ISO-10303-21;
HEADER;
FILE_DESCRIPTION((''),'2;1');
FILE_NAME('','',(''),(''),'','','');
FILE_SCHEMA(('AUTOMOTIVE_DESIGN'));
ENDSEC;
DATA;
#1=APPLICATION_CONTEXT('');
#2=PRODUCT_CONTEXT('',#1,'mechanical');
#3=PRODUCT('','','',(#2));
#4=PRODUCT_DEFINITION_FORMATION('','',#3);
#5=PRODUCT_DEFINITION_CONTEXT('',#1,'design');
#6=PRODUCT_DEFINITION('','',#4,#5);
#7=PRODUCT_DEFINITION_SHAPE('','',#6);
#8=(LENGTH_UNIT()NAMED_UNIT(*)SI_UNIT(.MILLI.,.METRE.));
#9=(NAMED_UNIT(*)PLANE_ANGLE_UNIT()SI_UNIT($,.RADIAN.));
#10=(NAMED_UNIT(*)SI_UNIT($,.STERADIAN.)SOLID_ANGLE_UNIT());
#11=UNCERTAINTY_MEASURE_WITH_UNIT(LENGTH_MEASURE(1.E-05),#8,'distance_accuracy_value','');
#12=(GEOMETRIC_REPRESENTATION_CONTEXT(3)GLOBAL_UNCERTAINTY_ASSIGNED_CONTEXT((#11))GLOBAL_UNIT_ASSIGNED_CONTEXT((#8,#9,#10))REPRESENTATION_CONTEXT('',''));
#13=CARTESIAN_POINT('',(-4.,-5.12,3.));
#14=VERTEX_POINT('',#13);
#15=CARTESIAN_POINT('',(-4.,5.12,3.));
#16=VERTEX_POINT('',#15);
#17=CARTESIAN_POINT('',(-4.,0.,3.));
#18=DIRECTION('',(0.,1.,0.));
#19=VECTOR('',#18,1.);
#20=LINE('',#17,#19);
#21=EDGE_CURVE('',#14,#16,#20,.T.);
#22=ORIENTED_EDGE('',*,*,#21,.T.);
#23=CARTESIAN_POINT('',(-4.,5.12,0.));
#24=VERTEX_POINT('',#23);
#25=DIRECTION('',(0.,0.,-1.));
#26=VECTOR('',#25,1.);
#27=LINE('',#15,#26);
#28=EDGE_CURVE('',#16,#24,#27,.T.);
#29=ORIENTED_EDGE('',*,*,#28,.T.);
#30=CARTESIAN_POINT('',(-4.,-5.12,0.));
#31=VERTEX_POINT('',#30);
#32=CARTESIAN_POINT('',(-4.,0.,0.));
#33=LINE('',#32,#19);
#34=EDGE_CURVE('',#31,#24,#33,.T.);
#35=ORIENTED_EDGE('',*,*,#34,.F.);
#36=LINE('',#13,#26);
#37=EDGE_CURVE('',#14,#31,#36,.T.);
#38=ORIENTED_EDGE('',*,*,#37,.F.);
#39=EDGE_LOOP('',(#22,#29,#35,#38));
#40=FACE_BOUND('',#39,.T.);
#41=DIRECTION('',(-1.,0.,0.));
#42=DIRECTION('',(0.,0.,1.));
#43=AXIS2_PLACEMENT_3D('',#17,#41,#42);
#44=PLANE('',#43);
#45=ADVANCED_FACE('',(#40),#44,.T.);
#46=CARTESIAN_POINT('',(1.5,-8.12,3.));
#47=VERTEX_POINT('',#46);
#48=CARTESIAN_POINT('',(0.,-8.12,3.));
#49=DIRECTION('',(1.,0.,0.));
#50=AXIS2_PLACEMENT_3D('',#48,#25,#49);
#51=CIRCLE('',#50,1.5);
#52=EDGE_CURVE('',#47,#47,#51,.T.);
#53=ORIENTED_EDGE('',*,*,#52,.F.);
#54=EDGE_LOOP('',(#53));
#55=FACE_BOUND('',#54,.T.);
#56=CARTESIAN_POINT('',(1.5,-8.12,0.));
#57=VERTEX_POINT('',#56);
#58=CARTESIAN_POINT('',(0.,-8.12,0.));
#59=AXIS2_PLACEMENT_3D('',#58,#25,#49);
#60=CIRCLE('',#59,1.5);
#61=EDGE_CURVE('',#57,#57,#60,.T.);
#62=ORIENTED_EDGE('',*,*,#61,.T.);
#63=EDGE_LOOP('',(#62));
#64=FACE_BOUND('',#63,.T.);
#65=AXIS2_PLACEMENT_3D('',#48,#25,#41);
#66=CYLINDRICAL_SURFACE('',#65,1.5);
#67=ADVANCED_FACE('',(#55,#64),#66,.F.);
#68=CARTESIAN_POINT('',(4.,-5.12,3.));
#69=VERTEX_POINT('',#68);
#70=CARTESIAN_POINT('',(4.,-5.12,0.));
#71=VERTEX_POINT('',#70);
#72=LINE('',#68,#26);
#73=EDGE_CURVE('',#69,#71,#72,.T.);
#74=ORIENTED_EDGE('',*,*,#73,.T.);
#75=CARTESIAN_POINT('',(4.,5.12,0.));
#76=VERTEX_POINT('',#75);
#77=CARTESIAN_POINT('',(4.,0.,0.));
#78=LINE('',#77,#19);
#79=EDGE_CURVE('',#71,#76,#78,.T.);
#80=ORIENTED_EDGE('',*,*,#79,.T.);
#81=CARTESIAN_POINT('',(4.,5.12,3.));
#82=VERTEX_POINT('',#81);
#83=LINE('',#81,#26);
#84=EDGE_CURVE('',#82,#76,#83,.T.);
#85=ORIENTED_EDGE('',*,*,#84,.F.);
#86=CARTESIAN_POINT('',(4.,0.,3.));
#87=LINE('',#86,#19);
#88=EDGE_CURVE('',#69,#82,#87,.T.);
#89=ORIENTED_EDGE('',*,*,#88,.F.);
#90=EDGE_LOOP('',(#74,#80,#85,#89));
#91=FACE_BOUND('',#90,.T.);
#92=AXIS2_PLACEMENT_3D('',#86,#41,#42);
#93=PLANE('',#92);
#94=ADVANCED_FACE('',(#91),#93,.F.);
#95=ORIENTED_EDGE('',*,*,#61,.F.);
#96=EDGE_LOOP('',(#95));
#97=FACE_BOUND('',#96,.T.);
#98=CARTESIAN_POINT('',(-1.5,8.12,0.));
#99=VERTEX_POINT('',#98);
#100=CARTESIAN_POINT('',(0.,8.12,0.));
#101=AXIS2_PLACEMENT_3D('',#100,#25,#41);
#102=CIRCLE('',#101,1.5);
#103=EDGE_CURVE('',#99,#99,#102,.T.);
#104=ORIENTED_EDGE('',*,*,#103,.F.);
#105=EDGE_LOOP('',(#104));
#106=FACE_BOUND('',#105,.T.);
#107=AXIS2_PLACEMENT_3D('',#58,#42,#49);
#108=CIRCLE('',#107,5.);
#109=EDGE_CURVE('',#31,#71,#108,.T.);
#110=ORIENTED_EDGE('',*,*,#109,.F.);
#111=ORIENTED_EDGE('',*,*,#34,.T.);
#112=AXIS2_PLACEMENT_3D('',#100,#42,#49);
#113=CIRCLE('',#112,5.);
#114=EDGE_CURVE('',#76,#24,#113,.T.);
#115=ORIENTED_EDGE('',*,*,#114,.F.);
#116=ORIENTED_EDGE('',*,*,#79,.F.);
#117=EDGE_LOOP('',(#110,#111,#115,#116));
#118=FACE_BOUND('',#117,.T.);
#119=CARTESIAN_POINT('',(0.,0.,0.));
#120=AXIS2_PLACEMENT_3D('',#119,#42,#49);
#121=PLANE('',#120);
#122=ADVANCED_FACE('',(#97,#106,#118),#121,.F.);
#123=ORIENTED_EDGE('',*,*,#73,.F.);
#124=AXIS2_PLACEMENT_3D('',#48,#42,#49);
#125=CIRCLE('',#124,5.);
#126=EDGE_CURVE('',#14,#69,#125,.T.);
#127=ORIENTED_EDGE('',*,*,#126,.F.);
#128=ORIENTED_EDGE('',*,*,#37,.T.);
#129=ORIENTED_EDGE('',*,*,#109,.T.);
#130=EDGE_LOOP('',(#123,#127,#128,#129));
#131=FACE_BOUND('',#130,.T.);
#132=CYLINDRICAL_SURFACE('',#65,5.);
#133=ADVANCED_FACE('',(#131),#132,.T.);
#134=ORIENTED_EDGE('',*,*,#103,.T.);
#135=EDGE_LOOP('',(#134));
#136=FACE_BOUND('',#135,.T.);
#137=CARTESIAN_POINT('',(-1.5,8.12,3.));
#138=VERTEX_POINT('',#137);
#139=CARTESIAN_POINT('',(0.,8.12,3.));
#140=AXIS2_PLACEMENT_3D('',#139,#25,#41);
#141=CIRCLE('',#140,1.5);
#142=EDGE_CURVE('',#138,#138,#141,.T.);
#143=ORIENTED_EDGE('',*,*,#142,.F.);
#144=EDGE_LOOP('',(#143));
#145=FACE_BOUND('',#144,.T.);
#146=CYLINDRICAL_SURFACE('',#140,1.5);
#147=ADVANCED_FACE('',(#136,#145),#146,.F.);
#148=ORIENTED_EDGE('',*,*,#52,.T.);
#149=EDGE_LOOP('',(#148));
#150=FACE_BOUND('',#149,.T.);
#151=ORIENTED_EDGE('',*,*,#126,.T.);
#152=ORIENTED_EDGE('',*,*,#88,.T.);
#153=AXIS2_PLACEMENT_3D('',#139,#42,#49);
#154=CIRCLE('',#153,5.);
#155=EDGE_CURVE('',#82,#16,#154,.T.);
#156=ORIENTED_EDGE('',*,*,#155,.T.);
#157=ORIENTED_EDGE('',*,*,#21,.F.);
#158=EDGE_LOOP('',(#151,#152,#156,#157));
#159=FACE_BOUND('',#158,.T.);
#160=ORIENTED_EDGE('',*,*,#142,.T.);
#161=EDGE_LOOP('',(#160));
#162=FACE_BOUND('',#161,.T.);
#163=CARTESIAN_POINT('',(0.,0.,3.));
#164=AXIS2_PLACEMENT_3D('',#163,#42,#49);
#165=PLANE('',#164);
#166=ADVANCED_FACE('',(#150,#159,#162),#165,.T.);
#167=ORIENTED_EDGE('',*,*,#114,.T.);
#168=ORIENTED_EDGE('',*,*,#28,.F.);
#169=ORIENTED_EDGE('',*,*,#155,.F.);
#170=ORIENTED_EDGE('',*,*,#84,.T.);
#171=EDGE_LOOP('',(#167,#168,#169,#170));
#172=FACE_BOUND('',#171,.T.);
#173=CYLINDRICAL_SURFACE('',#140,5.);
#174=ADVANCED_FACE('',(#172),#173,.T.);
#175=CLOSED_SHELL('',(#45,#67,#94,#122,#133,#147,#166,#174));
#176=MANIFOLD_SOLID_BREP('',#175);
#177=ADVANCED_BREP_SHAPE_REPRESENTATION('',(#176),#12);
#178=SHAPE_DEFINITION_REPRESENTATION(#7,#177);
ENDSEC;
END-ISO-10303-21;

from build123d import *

# Parameters (mm, degrees)
EXTRUDE_1_DEPTH     = 3
SKETCH_2_R          = 1.5
CUT_EXTRUDE_1_DEPTH = 15.357381377


with BuildPart() as part:
    # 草图1 → 凸台-拉伸1 (new body)
    with BuildSketch(Plane.XY):
        with BuildLine():
            ThreePointArc((-4, 5.12), (0, 3.12), (4, 5.12))
            Line((4, 5.12), (4, 8.12))
            Line((4, 8.12), (-4, 8.12))
            Line((-4, 8.12), (-4, 5.12))
        make_face()
        with BuildLine():
            Line((4, 8.12), (4, 5.12))
            ThreePointArc((4, 5.12), (4.74341649, 6.53886117), (5, 8.12))
            ThreePointArc((5, 8.12), (-1.58113883, 12.86341649), (-4, 5.12))
            Line((-4, 5.12), (-4, 8.12))
            Line((-4, 8.12), (4, 8.12))
        make_face()
        with BuildLine():
            ThreePointArc((-4, -5.12), (0, -3.12), (4, -5.12))
            Line((4, -5.12), (4, 5.12))
            ThreePointArc((4, 5.12), (0, 3.12), (-4, 5.12))
            Line((-4, 5.12), (-4, -5.12))
        make_face()
        with BuildLine():
            Line((4, -5.12), (4, -8.12))
            Line((4, -8.12), (-4, -8.12))
            Line((-4, -8.12), (-4, -5.12))
            ThreePointArc((-4, -5.12), (-1.58113883, -12.86341649), (5, -8.12))
            ThreePointArc((5, -8.12), (4.74341649, -6.53886117), (4, -5.12))
        make_face()
        with BuildLine():
            Line((-4, -8.12), (4, -8.12))
            Line((4, -8.12), (4, -5.12))
            ThreePointArc((4, -5.12), (0, -3.12), (-4, -5.12))
            Line((-4, -5.12), (-4, -8.12))
        make_face()
    extrude(amount=EXTRUDE_1_DEPTH)

    # 草图2 → 切除-拉伸1 (cut, through all)
    with BuildSketch(Plane(origin=(0, 0, 0), x_dir=(-1, 0, 0), z_dir=(0, 0, -1))):
        with Locations((0, 8.12)):
            Circle(SKETCH_2_R)
        with Locations(Location((0, -8.12, 0), (0, 0, 180))):
            Circle(SKETCH_2_R)
    extrude(amount=-CUT_EXTRUDE_1_DEPTH, mode=Mode.SUBTRACT)


solid = part.part
